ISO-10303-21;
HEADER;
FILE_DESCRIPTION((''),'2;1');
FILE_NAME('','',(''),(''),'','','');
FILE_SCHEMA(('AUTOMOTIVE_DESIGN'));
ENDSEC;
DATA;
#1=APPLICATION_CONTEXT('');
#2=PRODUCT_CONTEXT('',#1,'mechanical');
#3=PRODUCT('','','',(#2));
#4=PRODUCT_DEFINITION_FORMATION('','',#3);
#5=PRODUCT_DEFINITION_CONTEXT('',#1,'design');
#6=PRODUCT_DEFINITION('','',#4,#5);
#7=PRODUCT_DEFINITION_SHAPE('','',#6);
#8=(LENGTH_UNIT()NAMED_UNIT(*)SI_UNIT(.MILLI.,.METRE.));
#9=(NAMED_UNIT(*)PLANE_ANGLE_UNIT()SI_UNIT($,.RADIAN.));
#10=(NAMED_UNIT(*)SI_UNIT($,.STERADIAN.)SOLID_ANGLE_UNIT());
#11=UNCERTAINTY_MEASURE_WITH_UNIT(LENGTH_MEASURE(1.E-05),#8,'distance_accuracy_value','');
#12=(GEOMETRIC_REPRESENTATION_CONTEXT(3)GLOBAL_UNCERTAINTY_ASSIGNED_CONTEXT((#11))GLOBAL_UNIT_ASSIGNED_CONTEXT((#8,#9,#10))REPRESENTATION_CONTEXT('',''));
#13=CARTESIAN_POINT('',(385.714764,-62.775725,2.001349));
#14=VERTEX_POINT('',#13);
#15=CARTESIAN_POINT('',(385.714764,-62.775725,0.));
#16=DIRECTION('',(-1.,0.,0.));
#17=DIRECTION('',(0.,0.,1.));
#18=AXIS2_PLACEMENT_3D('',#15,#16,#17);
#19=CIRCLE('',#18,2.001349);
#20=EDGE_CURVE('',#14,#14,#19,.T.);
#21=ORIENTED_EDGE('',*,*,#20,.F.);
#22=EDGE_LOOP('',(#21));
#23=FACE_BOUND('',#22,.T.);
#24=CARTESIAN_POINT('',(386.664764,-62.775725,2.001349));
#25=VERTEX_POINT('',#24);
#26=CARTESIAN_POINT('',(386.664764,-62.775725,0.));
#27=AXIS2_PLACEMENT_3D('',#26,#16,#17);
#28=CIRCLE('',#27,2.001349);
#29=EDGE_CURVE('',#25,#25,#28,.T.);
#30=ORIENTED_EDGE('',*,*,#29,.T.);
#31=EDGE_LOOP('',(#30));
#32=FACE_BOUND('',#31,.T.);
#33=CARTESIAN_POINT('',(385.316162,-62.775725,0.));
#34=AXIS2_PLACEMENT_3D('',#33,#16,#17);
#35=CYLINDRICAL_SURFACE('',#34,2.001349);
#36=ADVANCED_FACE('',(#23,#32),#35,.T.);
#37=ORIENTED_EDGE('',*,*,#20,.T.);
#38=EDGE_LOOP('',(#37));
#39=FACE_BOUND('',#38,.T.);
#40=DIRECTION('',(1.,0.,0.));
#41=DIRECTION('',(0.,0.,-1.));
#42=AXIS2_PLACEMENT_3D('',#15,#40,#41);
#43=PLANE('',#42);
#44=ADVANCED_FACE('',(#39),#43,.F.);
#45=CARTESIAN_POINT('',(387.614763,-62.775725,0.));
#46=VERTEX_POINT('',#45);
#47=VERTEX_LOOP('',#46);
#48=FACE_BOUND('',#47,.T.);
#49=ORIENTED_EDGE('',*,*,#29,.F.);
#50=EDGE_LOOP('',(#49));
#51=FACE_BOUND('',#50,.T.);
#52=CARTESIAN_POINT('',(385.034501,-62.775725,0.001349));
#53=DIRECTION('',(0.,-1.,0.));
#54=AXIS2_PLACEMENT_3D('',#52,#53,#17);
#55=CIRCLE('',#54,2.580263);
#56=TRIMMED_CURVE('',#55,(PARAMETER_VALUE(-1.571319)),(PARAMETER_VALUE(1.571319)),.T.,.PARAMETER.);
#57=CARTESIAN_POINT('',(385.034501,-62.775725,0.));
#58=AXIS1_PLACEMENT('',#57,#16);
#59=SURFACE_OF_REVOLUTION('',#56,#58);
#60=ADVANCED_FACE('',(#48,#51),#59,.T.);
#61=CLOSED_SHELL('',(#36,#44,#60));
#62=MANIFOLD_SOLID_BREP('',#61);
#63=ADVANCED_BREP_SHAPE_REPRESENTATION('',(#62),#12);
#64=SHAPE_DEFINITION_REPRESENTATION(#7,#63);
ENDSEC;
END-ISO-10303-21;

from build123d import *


with BuildPart() as part:
    # 草图1 → 旋转2 (revolve)
    with BuildSketch(Plane.XY, mode=Mode.PRIVATE) as revolve_2_sk:
        with BuildLine():
            Line((385.714763749, -62.775724719), (385.714763749, -60.774375981))
            Line((385.714763749, -60.774375981), (386.664763749, -60.774375981))
            ThreePointArc((386.664763749, -60.774375981), (387.36548352, -61.66790567), (387.614763396, -62.775724719))
            Line((387.614763396, -62.775724719), (385.714763749, -62.775724719))
        make_face()
    revolve(revolve_2_sk.sketch.rotate(Axis((385.31616186, -62.775724719, 0), (1, 0, 0)), 90), axis=Axis((385.31616186, -62.775724719, 0), (1, 0, 0)))  # turned: the seam where the file's is


solid = part.part
